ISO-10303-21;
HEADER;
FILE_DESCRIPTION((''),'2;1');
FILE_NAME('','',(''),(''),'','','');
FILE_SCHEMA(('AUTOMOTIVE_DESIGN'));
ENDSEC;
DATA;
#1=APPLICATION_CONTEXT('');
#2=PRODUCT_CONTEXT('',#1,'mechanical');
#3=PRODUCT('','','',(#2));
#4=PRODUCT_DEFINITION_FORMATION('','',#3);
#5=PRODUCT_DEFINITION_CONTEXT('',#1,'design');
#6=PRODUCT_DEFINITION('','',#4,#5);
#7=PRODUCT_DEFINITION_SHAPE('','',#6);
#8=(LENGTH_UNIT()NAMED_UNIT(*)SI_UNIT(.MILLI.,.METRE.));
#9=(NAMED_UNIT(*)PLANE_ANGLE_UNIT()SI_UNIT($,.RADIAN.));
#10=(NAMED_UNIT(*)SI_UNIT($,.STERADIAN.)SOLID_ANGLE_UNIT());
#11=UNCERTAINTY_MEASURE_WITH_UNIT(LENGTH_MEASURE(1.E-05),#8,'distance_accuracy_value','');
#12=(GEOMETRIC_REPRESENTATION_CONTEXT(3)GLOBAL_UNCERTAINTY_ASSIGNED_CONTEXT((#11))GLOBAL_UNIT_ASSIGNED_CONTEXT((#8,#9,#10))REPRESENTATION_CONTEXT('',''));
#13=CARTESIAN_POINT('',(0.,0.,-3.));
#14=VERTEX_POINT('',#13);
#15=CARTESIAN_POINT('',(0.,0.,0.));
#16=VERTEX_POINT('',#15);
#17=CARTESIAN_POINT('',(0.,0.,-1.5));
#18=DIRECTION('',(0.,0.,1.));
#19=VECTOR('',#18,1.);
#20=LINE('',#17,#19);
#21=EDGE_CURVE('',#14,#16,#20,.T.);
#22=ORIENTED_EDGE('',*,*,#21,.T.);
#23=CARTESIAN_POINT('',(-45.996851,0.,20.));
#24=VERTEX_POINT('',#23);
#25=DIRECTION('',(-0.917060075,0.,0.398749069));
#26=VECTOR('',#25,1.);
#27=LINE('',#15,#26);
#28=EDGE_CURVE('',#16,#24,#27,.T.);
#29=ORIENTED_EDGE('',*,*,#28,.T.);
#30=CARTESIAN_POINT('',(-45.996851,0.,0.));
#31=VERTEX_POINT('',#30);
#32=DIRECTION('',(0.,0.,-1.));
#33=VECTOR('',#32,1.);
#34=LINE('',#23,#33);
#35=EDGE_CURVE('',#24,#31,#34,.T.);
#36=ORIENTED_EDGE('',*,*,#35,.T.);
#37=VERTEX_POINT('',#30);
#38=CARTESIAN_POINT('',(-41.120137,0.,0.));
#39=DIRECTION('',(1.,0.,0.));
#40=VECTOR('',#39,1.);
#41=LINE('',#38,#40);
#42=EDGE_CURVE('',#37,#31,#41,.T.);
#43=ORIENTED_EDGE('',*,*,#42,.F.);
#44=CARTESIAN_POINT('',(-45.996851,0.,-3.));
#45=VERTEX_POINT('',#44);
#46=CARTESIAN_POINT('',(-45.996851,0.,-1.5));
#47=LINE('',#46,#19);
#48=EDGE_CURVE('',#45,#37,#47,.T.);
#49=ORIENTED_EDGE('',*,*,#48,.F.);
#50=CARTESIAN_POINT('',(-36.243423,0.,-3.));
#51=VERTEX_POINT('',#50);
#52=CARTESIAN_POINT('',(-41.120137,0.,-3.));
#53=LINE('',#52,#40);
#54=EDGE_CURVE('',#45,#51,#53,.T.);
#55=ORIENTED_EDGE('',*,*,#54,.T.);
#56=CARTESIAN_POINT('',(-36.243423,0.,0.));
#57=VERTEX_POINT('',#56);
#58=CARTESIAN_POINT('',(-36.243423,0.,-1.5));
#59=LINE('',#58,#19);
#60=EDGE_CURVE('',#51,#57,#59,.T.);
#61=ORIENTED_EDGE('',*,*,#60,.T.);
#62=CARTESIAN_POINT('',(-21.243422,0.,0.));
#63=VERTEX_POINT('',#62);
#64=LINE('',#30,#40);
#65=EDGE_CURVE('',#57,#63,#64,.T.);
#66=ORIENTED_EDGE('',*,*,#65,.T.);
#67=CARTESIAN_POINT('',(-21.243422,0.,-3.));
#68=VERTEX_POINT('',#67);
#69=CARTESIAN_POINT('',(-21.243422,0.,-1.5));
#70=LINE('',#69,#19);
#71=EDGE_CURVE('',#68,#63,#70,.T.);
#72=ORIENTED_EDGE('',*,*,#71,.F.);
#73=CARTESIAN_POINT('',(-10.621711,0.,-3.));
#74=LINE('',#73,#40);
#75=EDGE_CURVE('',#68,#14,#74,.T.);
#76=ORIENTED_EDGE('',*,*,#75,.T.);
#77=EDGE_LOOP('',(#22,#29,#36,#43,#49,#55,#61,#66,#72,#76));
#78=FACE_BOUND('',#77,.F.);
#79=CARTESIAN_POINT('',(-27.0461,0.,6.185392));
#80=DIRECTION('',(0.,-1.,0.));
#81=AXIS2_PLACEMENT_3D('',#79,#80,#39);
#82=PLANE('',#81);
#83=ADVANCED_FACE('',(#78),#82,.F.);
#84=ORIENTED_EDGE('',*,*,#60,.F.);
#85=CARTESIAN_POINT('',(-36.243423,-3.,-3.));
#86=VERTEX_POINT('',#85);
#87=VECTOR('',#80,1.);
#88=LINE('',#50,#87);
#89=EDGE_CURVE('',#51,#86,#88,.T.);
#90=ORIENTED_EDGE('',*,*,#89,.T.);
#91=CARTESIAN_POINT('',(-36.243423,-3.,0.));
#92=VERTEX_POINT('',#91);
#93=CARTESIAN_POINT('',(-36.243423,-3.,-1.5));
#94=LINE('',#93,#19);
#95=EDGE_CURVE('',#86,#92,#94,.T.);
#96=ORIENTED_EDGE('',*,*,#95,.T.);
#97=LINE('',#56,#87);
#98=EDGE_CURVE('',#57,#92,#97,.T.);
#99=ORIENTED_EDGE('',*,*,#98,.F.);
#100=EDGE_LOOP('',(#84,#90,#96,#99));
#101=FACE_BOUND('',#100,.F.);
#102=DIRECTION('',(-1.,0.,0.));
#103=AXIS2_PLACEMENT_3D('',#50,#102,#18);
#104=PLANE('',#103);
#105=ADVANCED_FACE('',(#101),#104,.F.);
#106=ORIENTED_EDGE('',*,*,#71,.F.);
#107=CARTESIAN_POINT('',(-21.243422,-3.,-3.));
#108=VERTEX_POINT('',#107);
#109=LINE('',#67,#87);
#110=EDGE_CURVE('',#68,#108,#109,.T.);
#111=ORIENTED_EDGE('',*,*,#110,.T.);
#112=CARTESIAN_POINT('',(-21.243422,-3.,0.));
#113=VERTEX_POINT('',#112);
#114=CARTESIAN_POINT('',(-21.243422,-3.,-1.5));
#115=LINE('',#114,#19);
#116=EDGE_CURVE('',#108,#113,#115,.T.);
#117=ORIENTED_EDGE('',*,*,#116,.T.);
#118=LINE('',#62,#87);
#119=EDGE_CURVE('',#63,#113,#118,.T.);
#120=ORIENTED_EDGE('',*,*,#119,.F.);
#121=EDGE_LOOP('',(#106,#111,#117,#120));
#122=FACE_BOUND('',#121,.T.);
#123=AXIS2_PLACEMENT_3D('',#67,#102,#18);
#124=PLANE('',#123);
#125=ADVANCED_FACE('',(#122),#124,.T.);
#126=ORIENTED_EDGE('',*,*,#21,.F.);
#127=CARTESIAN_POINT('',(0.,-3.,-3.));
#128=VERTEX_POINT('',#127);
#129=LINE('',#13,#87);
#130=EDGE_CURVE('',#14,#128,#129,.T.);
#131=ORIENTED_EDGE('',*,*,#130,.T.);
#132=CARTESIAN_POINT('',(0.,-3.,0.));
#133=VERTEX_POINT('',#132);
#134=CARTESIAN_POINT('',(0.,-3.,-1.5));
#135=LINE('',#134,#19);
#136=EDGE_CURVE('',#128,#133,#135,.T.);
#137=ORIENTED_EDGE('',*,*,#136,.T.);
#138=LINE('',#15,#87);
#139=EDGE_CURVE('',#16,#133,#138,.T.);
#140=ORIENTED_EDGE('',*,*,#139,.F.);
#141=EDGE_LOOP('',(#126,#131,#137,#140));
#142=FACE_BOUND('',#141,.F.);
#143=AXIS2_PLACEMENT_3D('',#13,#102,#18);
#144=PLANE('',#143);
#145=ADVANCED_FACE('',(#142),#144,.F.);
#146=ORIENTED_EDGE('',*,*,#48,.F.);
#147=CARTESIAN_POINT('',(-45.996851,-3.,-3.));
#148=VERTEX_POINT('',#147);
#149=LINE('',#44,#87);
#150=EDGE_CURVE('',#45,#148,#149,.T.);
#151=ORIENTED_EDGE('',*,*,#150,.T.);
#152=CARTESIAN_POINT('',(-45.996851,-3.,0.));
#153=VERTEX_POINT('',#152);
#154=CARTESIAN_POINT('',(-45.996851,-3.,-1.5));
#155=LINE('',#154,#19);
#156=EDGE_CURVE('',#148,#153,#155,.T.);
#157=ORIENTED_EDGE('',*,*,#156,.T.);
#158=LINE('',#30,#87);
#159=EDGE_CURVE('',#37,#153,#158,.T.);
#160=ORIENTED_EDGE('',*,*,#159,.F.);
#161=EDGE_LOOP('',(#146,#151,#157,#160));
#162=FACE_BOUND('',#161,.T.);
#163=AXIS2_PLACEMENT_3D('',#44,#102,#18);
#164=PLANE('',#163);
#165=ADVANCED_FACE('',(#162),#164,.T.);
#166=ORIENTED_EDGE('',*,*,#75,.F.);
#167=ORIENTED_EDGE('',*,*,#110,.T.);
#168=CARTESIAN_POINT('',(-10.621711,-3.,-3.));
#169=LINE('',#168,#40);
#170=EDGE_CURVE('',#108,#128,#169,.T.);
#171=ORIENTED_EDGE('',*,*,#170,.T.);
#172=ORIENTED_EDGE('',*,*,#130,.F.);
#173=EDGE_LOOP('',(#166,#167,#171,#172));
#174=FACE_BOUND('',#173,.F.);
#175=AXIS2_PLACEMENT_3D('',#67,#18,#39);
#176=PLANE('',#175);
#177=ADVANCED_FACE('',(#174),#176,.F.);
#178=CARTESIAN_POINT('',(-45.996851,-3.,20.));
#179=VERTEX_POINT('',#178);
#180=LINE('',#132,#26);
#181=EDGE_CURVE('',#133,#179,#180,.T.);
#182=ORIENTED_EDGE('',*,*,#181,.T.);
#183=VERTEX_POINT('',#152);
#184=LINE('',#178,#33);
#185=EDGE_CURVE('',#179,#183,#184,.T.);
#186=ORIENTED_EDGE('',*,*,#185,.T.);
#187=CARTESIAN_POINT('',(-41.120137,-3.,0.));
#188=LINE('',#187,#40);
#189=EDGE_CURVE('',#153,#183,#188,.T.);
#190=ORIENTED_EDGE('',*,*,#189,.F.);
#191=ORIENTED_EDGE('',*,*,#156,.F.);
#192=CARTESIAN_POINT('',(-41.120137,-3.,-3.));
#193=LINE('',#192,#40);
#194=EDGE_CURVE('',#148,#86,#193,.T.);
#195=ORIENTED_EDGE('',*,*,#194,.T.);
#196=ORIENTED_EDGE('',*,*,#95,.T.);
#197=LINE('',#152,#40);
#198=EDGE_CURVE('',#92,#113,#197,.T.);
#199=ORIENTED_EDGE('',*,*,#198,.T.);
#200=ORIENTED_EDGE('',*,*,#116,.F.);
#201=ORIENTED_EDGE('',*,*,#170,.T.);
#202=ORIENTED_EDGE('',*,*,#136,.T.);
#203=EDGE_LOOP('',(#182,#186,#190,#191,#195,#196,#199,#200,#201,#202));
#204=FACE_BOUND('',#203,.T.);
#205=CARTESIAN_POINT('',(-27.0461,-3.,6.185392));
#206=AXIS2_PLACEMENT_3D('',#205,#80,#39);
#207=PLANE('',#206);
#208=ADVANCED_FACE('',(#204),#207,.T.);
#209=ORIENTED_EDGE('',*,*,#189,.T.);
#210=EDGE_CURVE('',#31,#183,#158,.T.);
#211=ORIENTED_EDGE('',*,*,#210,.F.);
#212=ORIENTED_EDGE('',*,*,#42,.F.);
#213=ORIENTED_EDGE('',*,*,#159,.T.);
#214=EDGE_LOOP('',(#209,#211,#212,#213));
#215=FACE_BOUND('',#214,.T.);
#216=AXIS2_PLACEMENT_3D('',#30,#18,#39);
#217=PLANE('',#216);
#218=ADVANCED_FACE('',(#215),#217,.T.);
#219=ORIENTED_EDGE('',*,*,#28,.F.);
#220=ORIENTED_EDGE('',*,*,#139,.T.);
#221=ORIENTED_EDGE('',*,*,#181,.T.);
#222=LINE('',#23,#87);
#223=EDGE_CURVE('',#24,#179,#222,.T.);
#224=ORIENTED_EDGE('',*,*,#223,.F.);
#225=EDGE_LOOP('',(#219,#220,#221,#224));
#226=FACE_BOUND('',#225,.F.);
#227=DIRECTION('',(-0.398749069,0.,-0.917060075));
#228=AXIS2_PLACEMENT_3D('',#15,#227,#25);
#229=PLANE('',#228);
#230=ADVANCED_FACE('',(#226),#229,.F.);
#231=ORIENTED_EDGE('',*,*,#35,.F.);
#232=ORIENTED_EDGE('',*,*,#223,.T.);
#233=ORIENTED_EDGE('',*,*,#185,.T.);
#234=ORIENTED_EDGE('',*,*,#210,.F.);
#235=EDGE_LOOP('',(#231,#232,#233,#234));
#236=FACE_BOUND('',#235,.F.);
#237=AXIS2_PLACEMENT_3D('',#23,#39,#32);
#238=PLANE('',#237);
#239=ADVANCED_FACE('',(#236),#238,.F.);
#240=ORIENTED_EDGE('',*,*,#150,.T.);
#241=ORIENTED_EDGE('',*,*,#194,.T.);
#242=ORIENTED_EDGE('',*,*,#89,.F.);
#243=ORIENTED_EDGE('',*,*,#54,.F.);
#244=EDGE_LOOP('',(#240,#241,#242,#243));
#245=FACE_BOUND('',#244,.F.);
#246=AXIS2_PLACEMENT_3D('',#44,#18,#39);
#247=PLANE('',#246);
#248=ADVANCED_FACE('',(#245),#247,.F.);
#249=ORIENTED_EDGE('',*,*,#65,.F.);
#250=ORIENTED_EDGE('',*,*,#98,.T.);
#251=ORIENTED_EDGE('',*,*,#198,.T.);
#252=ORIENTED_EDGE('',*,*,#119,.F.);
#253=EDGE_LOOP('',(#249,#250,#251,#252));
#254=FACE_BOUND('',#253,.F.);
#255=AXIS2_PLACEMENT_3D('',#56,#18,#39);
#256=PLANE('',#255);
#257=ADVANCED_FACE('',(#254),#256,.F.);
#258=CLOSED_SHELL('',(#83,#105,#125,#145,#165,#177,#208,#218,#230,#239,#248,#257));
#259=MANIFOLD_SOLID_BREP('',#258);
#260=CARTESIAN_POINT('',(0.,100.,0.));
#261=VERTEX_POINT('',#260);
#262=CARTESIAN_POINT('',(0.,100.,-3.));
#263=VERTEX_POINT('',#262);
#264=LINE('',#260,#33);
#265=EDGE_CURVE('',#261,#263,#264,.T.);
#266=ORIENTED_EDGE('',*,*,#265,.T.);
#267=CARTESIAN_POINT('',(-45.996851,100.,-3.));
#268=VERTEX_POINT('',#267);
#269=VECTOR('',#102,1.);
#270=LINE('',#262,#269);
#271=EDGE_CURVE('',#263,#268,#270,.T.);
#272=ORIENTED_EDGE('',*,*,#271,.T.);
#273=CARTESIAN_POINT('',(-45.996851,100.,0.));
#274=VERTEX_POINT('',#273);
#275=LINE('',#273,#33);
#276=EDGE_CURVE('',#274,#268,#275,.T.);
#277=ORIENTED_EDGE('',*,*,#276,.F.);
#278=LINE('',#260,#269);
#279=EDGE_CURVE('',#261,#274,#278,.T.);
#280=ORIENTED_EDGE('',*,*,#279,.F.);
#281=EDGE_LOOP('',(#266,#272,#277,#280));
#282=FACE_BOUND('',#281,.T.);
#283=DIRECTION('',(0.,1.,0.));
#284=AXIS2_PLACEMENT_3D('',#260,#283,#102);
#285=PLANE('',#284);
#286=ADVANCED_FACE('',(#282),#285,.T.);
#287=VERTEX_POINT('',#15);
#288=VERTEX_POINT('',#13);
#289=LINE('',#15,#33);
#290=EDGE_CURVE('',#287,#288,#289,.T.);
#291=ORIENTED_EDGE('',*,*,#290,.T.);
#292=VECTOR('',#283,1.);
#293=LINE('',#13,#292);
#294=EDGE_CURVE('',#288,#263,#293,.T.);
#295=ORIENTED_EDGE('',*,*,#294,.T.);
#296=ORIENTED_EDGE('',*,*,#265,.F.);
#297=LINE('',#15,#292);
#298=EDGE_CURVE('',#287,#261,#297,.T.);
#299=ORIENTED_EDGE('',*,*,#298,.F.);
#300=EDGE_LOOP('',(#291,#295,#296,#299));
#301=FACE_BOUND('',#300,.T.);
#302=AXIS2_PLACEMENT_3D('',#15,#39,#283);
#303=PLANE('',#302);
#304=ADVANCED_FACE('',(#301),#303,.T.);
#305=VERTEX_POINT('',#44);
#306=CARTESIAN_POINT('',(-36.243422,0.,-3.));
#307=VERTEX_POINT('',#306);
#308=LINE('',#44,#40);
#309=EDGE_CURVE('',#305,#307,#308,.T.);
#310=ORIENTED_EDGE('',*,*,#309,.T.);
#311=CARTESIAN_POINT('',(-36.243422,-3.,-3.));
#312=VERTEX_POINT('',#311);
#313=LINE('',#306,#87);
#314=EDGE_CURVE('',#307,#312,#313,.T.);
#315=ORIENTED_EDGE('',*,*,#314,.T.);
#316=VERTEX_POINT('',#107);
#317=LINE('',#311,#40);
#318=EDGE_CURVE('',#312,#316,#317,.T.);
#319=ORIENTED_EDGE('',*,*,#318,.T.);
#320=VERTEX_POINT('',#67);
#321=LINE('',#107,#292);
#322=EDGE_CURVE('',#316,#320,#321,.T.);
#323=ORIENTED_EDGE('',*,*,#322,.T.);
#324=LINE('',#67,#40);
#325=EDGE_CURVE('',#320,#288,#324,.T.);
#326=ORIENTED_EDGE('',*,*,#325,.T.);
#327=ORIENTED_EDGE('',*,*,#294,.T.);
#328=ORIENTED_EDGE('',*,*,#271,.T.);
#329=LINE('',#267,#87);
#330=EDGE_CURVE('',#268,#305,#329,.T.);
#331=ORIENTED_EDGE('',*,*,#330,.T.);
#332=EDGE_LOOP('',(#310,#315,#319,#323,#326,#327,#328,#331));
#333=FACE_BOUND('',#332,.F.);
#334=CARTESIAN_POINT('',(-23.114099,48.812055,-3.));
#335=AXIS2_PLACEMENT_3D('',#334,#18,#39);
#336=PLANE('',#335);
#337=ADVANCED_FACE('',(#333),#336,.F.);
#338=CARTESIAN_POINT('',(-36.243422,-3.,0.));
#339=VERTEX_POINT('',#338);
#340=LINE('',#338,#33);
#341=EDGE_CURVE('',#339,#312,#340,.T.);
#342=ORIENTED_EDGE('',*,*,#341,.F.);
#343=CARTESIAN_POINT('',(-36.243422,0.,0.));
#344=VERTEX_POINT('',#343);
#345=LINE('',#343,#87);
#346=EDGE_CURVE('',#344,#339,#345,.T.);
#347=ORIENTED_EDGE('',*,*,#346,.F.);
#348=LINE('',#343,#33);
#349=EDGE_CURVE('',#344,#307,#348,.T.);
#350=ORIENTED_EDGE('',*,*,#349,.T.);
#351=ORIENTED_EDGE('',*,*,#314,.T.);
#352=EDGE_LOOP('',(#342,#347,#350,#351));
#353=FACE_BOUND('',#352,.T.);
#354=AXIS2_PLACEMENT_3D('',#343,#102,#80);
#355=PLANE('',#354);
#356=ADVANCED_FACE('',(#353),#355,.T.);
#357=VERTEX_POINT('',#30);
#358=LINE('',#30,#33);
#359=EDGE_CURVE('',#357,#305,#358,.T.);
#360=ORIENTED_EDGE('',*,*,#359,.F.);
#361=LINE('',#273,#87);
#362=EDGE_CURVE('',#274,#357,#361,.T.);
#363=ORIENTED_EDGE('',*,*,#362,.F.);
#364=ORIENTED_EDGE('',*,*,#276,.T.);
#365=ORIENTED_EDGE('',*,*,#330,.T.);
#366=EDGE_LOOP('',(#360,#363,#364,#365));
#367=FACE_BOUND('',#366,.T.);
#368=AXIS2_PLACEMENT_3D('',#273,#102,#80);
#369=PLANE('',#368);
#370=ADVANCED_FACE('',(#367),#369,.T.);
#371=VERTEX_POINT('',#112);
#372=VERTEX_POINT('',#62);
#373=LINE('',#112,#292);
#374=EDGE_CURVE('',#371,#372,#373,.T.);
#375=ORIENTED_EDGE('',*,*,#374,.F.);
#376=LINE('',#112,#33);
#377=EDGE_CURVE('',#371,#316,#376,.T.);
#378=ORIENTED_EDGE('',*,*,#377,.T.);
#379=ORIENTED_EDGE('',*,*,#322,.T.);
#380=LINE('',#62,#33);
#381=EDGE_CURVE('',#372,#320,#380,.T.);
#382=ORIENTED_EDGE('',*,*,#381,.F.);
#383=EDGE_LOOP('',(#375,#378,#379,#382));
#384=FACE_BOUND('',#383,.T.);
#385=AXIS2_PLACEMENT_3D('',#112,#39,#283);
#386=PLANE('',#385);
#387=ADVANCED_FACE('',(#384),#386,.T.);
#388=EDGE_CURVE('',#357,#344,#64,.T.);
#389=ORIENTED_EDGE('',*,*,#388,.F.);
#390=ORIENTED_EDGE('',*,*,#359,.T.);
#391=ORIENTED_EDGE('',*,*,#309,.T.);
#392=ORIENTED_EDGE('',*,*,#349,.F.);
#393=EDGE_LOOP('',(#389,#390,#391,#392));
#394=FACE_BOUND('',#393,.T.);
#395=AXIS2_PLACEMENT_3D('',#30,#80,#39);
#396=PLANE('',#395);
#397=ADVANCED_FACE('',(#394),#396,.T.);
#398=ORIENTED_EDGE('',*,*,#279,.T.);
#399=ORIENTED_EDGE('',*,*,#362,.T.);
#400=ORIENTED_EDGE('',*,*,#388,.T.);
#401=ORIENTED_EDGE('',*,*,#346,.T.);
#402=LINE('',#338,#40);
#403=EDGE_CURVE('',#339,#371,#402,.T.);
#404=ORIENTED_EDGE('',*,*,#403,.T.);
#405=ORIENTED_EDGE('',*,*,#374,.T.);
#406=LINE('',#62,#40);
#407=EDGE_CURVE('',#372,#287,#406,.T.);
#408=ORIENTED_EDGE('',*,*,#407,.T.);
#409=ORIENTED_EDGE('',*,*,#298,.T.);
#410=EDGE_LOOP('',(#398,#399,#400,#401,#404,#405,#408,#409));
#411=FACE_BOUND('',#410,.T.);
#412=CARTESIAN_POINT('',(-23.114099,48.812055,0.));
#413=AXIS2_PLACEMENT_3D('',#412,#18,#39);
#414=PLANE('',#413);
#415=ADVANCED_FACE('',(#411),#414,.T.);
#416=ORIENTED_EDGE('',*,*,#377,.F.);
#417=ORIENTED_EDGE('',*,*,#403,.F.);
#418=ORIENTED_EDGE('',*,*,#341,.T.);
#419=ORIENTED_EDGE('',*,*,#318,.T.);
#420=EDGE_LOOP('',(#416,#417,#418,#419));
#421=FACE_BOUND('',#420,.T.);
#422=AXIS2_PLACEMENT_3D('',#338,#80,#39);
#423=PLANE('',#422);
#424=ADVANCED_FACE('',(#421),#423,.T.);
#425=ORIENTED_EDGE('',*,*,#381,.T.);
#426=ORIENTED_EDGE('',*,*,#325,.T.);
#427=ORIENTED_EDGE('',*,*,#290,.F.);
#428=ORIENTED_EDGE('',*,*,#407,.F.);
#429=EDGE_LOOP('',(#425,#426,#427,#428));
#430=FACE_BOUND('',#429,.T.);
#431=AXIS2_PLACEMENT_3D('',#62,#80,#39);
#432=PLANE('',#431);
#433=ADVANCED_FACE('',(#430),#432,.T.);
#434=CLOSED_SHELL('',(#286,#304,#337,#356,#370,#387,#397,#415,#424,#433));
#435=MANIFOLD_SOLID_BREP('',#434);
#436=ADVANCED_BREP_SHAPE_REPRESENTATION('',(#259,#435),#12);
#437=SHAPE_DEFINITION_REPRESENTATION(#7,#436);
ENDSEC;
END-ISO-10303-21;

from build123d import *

# Parameters (mm, degrees)
F0_W     = 15
F0_H     = 3
F0_W_2   = 9.753429
F0_W_3   = 21.243422
F1_DEPTH = 3
F3_DEPTH = 3


with BuildPart() as f1:
    # F0 (on Front) → F1 (new body)
    with BuildSketch(Plane.XZ):
        Polygon((-21.243422, 0), (0, 0), (-45.996851, 20), (-45.996851, 0), (-36.243422, 0), (-36.243422, 3), (-21.243422, 3), align=None)
        with Locations((-28.743422, 1.5)):
            Rectangle(F0_W, F0_H)
        with Locations((-41.120137, -1.5)):
            Rectangle(F0_W_2, F0_H)
        with Locations((-10.621711, -1.5)):
            Rectangle(F0_W_3, F0_H)
    extrude(amount=F1_DEPTH)


with BuildPart() as f3:
    # F2 (on Top) → F3 (new body)
    with BuildSketch(Plane.XY):
        Polygon((-36.243422, 0), (-36.243422, -3), (-21.243422, -3), (-21.243422, 0), (0, 0), (0, 100), (-45.996851, 100), (-45.996851, 0), align=None)
    extrude(amount=-F3_DEPTH)


solid = Compound([f1.part, f3.part])
